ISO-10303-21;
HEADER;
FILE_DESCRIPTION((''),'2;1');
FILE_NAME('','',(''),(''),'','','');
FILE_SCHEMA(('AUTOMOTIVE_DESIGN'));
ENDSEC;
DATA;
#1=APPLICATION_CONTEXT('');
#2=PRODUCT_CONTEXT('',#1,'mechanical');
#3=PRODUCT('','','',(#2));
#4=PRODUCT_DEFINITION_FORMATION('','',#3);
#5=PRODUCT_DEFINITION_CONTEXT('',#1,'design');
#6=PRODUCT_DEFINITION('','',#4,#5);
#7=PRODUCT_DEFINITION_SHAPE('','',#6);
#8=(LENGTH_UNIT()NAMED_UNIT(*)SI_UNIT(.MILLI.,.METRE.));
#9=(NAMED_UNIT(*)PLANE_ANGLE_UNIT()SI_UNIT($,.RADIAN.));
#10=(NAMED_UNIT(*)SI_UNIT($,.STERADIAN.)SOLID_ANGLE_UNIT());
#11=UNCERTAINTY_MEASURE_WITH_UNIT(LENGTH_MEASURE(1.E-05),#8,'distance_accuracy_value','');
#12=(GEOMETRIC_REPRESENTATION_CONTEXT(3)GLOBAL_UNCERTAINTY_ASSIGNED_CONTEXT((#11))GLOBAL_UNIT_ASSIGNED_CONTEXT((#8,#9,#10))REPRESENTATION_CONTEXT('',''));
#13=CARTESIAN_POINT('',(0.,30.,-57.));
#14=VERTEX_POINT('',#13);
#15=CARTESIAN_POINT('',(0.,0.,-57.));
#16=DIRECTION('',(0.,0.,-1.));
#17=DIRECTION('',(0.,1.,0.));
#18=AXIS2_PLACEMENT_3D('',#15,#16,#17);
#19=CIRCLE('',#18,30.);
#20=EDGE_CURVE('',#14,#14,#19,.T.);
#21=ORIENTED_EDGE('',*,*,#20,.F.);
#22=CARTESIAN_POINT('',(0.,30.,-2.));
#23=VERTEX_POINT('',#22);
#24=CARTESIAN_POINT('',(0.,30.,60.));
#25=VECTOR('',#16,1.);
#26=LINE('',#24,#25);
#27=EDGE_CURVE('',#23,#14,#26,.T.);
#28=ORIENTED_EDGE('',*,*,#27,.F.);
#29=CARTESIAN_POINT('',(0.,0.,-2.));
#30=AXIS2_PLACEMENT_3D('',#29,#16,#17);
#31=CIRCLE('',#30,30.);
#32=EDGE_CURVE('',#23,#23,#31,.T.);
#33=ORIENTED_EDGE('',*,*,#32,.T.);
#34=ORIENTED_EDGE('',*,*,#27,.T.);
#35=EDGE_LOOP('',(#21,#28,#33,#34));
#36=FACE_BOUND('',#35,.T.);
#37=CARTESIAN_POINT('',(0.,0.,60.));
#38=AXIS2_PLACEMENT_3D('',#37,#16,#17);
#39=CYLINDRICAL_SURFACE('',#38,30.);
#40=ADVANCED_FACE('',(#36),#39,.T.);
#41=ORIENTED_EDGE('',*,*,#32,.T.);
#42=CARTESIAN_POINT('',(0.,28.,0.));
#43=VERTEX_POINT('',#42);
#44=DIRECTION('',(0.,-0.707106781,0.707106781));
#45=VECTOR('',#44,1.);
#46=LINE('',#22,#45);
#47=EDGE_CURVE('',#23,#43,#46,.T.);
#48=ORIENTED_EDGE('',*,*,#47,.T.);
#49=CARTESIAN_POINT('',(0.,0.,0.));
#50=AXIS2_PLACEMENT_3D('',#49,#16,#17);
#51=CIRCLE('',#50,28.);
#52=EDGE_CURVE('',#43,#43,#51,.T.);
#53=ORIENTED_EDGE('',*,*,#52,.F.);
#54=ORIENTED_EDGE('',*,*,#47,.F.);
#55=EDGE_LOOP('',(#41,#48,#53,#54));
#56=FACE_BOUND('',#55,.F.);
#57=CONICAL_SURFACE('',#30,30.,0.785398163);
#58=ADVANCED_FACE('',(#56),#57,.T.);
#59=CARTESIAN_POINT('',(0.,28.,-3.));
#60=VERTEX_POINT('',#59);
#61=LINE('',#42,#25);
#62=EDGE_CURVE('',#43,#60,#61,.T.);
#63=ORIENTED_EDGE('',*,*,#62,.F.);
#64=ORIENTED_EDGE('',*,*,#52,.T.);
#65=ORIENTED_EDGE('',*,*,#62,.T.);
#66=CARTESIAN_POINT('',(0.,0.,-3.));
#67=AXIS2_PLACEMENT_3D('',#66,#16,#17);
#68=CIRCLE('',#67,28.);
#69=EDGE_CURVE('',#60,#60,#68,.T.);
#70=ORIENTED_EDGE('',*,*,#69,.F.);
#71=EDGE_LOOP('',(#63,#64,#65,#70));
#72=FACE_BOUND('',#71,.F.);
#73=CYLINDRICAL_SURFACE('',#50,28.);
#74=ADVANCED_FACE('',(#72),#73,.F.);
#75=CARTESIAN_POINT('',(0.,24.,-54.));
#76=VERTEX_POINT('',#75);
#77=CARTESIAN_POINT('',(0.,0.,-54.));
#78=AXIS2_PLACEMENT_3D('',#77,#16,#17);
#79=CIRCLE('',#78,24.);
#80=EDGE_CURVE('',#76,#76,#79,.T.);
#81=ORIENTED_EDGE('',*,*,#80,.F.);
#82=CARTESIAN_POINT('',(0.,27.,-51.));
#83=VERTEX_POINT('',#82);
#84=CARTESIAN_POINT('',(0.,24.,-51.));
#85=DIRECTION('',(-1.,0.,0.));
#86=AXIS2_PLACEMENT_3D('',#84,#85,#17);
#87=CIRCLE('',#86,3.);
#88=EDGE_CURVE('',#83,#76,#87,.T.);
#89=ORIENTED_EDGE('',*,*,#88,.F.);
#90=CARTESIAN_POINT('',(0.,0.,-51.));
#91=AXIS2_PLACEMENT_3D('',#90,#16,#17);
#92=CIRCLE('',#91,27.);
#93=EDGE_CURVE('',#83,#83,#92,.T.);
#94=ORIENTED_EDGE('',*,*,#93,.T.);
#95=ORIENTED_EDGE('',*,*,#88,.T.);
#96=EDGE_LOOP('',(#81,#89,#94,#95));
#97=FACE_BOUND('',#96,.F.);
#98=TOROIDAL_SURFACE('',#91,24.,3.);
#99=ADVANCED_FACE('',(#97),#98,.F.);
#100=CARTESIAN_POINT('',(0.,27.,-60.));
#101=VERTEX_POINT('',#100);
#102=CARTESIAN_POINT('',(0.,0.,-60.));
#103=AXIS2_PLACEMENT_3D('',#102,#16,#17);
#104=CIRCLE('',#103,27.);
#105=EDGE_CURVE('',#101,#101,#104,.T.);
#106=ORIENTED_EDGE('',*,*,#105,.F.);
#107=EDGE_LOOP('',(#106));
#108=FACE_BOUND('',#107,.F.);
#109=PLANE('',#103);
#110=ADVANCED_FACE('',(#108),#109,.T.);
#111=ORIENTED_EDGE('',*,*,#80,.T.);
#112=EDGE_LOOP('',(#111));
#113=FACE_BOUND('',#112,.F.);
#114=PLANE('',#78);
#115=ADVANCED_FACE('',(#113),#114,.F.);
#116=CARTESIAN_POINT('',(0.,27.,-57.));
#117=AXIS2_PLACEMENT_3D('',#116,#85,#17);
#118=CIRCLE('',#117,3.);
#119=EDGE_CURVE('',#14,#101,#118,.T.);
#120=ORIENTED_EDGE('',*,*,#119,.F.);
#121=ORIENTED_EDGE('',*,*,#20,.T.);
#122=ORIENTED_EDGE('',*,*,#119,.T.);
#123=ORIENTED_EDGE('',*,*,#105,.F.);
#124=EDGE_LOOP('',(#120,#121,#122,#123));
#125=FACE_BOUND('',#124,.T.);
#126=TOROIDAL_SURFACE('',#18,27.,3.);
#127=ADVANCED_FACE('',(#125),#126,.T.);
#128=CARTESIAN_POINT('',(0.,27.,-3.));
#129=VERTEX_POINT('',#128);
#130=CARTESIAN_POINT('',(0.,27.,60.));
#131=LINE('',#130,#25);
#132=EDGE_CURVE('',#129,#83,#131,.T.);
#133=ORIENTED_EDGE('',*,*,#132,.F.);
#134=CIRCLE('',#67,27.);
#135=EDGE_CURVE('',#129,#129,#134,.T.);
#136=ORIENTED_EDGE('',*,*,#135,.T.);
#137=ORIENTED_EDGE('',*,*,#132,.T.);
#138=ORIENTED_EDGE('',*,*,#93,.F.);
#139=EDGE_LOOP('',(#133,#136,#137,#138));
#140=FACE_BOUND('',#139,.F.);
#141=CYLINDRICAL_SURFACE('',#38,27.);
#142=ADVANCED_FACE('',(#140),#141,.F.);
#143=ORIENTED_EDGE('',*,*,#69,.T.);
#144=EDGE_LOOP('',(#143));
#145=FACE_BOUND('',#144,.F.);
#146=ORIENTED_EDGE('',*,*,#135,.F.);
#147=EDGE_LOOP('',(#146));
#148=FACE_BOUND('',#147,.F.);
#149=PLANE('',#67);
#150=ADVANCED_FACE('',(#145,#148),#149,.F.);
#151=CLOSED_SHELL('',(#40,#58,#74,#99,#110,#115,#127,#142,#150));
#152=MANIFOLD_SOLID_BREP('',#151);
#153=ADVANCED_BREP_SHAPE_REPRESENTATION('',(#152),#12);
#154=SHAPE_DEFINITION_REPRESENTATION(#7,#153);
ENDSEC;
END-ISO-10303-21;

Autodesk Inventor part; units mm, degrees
ref_plane "YZ Plane" through (0, 0, 0) normal (1, 0, 0) x (0, 1, 0)
ref_plane "XZ Plane" through (0, 0, 0) normal (0, 1, 0) x (-1, 0, 0)
ref_plane "XY Plane" through (0, 0, 0) normal (0, 0, 1) x (1, 0, 0)
sketch "Sketch2" plane through (0, 0, 0) normal (1, 0, 0) x (0, 1, 0)
  line L0 (0, 0) -> (30, 0)
  line L1 (30, 60) -> (30, -60)
  line L2 (30, 60) -> (27, 60)
  line L3 (27, 60) -> (27, -60)
  line L4 (27, -60) -> (30, -60)
  line L5 (27, 60) -> (0, 60)
  line L6 (0, 60) -> (5, 60)
  line L7 (5, 60) -> (5, 54)
  line L8 (5, 54) -> (27, 54)
  line L9 (27, -60) -> (0, -60)
  line L10 (0, -60) -> (5, -60)
  line L11 (5, -60) -> (5, -54)
  line L12 (5, -54) -> (27, -54)
  line L13 (0, 60) -> (0, -60)
  line L14 (27, 0) -> (28, 0)
  line L15 (28, 0) -> (28, -3)
  line L16 (28, -3) -> (27, -3)
  line L17 (28, 0) -> (28, 2)
  line L18 (28, 2) -> (30, 2)
  line L19 (30, 2) -> (28, 0)
  line L20 (28, 0) -> (28, -2)
  line L21 (28, -2) -> (30, -2)
  line L22 (30, -2) -> (28, 0)
  line L23 (5, -54) -> (0, -54)
  dimension "d12" = 30
  dimension "d13" = 120
  dimension "d14" = 3
  dimension "d15" = 5
  dimension "d16" = 6
  dimension "d17" = 6
  dimension "d26" = 1
  dimension "d27" = 3
  dimension "d28" = 2
  dimension "d29" = 2
revolve "Revolution1" add sketch "Sketch2" angle 360 about axis through (0, 0, 60) along (0, 0, -1) contours L23 L11 L9 L13 | L22 L21 L15 | L16 L15 L21 L1 L4 L3 | L12 L3 L9 L11
fillet "Fillet2" radius 3 1 edges at (0, -30, -60)
fillet "Fillet3" radius 3 1 edges at (0, -27, -54)
properties part number "Plenum"
